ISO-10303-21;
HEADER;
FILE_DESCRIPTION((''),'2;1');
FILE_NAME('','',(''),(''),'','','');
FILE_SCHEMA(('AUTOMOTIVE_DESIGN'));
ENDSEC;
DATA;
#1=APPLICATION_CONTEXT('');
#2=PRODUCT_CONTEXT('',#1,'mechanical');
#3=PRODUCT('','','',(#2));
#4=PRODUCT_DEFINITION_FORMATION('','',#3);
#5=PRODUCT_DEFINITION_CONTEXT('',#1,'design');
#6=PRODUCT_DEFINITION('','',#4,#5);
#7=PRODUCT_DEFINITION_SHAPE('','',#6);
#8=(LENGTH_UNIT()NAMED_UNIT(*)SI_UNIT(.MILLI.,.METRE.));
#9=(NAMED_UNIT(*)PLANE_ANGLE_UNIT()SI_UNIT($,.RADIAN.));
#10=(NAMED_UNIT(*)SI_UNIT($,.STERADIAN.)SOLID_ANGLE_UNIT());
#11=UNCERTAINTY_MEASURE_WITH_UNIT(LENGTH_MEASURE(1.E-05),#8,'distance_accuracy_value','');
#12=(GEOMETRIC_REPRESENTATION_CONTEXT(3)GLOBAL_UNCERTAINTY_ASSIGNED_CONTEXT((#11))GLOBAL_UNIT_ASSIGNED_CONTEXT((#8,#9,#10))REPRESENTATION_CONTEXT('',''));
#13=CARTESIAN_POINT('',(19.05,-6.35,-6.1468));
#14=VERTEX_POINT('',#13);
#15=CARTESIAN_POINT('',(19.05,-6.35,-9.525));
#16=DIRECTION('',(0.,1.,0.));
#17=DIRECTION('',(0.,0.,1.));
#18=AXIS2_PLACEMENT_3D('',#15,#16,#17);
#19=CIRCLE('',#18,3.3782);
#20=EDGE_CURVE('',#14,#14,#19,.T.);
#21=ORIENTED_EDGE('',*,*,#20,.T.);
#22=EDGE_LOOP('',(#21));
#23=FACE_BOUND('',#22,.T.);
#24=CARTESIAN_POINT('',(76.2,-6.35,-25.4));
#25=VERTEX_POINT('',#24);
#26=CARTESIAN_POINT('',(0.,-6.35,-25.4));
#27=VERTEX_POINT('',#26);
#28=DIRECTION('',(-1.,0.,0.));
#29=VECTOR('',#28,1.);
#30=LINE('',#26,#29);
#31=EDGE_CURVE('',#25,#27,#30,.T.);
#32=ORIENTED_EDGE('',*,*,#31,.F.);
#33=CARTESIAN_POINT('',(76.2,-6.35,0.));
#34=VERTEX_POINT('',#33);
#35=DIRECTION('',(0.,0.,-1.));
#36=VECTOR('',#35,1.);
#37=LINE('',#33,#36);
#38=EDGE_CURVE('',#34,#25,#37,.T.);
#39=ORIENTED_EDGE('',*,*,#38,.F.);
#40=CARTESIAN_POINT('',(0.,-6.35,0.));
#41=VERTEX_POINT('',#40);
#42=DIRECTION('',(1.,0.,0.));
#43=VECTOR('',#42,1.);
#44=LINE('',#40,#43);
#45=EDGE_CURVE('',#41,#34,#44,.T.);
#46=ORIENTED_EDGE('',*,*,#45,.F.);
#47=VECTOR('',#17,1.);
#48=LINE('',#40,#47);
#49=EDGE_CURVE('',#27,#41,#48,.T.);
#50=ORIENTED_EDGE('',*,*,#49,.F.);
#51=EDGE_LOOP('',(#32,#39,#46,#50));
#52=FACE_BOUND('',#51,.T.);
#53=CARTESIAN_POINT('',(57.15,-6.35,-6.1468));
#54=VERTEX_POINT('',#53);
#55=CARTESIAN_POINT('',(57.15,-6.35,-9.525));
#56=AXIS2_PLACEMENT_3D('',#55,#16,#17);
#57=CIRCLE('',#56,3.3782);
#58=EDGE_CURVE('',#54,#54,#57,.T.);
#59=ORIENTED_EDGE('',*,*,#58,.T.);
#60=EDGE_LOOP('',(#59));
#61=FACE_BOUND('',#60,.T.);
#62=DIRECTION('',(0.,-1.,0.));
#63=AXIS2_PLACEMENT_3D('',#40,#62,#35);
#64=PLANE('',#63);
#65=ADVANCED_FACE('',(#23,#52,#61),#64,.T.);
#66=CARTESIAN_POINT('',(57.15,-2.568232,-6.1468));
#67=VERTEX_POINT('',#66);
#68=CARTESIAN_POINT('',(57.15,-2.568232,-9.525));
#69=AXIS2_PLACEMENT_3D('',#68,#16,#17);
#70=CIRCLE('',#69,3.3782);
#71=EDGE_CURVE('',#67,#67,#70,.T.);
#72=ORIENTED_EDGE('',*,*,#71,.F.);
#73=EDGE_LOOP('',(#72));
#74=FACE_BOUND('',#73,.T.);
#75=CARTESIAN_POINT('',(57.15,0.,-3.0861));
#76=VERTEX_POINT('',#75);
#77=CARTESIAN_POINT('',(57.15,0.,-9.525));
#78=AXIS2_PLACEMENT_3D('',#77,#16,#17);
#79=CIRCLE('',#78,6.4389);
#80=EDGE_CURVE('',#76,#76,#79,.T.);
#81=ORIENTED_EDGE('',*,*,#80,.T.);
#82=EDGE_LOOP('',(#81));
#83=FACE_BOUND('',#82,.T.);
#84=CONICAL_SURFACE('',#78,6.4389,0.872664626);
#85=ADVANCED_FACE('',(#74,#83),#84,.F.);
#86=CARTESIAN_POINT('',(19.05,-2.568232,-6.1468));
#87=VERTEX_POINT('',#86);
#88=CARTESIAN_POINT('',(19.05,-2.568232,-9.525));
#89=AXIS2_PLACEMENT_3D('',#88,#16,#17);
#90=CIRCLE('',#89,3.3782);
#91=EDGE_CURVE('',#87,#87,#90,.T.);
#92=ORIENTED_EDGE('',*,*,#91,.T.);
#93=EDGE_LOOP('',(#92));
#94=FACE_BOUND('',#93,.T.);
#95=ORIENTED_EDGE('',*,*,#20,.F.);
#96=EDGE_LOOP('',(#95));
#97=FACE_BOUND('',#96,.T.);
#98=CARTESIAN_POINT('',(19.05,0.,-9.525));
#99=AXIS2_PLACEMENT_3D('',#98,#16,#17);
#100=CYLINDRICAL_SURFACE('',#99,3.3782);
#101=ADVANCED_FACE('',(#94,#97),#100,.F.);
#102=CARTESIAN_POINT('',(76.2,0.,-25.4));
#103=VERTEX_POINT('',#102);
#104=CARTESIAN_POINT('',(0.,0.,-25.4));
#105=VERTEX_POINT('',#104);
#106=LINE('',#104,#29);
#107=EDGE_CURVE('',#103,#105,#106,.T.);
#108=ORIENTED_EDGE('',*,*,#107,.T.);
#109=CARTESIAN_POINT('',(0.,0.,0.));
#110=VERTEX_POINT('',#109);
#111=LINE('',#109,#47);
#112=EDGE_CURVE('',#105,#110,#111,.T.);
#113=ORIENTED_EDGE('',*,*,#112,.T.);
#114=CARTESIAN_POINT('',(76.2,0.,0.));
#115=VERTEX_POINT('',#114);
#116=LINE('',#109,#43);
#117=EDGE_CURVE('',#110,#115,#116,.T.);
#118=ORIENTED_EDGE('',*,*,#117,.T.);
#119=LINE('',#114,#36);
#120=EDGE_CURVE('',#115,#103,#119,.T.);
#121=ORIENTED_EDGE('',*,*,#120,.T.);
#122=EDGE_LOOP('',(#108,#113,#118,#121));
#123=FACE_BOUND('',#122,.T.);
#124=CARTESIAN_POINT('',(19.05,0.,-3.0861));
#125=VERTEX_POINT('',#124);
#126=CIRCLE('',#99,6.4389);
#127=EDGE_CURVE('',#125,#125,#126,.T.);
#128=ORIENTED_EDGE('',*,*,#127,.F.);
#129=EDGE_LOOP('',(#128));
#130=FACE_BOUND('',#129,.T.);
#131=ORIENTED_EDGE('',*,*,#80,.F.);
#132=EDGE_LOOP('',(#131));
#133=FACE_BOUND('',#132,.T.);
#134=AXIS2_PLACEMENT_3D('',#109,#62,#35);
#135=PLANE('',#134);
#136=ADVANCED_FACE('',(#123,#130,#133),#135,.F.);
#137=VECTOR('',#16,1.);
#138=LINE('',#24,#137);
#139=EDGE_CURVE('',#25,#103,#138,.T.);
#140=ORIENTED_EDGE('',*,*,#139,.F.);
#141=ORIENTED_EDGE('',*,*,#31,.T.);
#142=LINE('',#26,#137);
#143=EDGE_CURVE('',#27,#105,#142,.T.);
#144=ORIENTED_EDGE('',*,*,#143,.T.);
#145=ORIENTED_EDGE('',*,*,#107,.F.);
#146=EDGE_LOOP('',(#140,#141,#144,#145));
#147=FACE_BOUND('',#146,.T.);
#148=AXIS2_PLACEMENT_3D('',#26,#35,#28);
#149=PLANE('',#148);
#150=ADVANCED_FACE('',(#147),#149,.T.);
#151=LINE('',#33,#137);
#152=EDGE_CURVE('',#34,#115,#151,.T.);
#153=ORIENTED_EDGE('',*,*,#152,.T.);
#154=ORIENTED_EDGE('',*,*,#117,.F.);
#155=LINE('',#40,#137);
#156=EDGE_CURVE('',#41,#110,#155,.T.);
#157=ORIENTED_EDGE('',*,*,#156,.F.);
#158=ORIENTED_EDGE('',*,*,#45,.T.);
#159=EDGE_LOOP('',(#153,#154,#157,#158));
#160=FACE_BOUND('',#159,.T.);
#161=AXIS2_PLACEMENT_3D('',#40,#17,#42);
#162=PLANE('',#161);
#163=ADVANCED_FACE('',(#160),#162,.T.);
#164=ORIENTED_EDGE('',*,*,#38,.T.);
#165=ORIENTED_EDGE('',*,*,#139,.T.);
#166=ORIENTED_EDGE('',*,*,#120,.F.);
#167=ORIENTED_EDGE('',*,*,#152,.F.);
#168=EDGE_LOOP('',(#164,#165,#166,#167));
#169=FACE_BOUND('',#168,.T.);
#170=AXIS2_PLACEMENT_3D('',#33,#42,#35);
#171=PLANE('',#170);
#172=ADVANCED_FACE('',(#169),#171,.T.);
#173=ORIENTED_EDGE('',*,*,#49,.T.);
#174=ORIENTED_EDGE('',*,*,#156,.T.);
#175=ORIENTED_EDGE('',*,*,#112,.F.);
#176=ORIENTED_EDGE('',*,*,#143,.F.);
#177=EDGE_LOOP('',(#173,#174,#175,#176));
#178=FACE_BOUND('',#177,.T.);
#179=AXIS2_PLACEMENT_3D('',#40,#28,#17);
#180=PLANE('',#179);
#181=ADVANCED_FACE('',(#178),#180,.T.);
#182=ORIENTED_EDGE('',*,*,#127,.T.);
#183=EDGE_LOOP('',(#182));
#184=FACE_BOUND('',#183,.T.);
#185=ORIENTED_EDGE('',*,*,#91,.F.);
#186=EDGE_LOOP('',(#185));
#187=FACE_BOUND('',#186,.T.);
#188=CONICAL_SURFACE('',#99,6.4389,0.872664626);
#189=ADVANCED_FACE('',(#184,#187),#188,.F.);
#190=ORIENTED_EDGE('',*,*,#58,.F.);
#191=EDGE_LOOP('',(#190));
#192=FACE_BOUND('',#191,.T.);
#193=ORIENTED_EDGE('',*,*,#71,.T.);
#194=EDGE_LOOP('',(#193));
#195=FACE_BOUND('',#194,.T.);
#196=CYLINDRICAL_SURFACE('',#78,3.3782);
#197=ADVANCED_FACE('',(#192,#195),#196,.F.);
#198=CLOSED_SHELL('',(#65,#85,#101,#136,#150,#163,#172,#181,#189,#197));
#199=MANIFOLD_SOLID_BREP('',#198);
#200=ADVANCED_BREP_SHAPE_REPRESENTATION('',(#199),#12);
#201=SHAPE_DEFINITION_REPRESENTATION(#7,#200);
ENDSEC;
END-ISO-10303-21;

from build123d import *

# Parameters (mm, degrees)
SKETCH1_W                                           = 76.2
SKETCH1_H                                           = 25.4
BOSS_EXTRUDE1_DEPTH                                 = 6.35
CSK_FOR_1_4_FLAT_HEAD_MACHINE_SCREW_100_D           = 6.7564
CSK_FOR_1_4_FLAT_HEAD_MACHINE_SCREW_100_CSINK_D     = 12.8778
CSK_FOR_1_4_FLAT_HEAD_MACHINE_SCREW_100_CSINK_ANGLE = 100


with BuildPart() as part:
    # Sketch1 → Boss-Extrude1 (new body)
    with BuildSketch(Plane(origin=(0, 0, 0), x_dir=(1, 0, 0), z_dir=(0, 1, 0))):
        with Locations((38.1, 12.7)):
            Rectangle(SKETCH1_W, SKETCH1_H)
    extrude(amount=-BOSS_EXTRUDE1_DEPTH)

    # CSK for 1/4 Flat Head Machine Screw (100)1 (through all)
    with Locations(Plane(origin=(0, 0, 0), x_dir=(1, 0, 0), z_dir=(0, 1, 0))):
        with Locations((19.05, 9.525), (57.15, 9.525)):
            CounterSinkHole(CSK_FOR_1_4_FLAT_HEAD_MACHINE_SCREW_100_D / 2, CSK_FOR_1_4_FLAT_HEAD_MACHINE_SCREW_100_CSINK_D / 2, counter_sink_angle=CSK_FOR_1_4_FLAT_HEAD_MACHINE_SCREW_100_CSINK_ANGLE)


solid = part.part
